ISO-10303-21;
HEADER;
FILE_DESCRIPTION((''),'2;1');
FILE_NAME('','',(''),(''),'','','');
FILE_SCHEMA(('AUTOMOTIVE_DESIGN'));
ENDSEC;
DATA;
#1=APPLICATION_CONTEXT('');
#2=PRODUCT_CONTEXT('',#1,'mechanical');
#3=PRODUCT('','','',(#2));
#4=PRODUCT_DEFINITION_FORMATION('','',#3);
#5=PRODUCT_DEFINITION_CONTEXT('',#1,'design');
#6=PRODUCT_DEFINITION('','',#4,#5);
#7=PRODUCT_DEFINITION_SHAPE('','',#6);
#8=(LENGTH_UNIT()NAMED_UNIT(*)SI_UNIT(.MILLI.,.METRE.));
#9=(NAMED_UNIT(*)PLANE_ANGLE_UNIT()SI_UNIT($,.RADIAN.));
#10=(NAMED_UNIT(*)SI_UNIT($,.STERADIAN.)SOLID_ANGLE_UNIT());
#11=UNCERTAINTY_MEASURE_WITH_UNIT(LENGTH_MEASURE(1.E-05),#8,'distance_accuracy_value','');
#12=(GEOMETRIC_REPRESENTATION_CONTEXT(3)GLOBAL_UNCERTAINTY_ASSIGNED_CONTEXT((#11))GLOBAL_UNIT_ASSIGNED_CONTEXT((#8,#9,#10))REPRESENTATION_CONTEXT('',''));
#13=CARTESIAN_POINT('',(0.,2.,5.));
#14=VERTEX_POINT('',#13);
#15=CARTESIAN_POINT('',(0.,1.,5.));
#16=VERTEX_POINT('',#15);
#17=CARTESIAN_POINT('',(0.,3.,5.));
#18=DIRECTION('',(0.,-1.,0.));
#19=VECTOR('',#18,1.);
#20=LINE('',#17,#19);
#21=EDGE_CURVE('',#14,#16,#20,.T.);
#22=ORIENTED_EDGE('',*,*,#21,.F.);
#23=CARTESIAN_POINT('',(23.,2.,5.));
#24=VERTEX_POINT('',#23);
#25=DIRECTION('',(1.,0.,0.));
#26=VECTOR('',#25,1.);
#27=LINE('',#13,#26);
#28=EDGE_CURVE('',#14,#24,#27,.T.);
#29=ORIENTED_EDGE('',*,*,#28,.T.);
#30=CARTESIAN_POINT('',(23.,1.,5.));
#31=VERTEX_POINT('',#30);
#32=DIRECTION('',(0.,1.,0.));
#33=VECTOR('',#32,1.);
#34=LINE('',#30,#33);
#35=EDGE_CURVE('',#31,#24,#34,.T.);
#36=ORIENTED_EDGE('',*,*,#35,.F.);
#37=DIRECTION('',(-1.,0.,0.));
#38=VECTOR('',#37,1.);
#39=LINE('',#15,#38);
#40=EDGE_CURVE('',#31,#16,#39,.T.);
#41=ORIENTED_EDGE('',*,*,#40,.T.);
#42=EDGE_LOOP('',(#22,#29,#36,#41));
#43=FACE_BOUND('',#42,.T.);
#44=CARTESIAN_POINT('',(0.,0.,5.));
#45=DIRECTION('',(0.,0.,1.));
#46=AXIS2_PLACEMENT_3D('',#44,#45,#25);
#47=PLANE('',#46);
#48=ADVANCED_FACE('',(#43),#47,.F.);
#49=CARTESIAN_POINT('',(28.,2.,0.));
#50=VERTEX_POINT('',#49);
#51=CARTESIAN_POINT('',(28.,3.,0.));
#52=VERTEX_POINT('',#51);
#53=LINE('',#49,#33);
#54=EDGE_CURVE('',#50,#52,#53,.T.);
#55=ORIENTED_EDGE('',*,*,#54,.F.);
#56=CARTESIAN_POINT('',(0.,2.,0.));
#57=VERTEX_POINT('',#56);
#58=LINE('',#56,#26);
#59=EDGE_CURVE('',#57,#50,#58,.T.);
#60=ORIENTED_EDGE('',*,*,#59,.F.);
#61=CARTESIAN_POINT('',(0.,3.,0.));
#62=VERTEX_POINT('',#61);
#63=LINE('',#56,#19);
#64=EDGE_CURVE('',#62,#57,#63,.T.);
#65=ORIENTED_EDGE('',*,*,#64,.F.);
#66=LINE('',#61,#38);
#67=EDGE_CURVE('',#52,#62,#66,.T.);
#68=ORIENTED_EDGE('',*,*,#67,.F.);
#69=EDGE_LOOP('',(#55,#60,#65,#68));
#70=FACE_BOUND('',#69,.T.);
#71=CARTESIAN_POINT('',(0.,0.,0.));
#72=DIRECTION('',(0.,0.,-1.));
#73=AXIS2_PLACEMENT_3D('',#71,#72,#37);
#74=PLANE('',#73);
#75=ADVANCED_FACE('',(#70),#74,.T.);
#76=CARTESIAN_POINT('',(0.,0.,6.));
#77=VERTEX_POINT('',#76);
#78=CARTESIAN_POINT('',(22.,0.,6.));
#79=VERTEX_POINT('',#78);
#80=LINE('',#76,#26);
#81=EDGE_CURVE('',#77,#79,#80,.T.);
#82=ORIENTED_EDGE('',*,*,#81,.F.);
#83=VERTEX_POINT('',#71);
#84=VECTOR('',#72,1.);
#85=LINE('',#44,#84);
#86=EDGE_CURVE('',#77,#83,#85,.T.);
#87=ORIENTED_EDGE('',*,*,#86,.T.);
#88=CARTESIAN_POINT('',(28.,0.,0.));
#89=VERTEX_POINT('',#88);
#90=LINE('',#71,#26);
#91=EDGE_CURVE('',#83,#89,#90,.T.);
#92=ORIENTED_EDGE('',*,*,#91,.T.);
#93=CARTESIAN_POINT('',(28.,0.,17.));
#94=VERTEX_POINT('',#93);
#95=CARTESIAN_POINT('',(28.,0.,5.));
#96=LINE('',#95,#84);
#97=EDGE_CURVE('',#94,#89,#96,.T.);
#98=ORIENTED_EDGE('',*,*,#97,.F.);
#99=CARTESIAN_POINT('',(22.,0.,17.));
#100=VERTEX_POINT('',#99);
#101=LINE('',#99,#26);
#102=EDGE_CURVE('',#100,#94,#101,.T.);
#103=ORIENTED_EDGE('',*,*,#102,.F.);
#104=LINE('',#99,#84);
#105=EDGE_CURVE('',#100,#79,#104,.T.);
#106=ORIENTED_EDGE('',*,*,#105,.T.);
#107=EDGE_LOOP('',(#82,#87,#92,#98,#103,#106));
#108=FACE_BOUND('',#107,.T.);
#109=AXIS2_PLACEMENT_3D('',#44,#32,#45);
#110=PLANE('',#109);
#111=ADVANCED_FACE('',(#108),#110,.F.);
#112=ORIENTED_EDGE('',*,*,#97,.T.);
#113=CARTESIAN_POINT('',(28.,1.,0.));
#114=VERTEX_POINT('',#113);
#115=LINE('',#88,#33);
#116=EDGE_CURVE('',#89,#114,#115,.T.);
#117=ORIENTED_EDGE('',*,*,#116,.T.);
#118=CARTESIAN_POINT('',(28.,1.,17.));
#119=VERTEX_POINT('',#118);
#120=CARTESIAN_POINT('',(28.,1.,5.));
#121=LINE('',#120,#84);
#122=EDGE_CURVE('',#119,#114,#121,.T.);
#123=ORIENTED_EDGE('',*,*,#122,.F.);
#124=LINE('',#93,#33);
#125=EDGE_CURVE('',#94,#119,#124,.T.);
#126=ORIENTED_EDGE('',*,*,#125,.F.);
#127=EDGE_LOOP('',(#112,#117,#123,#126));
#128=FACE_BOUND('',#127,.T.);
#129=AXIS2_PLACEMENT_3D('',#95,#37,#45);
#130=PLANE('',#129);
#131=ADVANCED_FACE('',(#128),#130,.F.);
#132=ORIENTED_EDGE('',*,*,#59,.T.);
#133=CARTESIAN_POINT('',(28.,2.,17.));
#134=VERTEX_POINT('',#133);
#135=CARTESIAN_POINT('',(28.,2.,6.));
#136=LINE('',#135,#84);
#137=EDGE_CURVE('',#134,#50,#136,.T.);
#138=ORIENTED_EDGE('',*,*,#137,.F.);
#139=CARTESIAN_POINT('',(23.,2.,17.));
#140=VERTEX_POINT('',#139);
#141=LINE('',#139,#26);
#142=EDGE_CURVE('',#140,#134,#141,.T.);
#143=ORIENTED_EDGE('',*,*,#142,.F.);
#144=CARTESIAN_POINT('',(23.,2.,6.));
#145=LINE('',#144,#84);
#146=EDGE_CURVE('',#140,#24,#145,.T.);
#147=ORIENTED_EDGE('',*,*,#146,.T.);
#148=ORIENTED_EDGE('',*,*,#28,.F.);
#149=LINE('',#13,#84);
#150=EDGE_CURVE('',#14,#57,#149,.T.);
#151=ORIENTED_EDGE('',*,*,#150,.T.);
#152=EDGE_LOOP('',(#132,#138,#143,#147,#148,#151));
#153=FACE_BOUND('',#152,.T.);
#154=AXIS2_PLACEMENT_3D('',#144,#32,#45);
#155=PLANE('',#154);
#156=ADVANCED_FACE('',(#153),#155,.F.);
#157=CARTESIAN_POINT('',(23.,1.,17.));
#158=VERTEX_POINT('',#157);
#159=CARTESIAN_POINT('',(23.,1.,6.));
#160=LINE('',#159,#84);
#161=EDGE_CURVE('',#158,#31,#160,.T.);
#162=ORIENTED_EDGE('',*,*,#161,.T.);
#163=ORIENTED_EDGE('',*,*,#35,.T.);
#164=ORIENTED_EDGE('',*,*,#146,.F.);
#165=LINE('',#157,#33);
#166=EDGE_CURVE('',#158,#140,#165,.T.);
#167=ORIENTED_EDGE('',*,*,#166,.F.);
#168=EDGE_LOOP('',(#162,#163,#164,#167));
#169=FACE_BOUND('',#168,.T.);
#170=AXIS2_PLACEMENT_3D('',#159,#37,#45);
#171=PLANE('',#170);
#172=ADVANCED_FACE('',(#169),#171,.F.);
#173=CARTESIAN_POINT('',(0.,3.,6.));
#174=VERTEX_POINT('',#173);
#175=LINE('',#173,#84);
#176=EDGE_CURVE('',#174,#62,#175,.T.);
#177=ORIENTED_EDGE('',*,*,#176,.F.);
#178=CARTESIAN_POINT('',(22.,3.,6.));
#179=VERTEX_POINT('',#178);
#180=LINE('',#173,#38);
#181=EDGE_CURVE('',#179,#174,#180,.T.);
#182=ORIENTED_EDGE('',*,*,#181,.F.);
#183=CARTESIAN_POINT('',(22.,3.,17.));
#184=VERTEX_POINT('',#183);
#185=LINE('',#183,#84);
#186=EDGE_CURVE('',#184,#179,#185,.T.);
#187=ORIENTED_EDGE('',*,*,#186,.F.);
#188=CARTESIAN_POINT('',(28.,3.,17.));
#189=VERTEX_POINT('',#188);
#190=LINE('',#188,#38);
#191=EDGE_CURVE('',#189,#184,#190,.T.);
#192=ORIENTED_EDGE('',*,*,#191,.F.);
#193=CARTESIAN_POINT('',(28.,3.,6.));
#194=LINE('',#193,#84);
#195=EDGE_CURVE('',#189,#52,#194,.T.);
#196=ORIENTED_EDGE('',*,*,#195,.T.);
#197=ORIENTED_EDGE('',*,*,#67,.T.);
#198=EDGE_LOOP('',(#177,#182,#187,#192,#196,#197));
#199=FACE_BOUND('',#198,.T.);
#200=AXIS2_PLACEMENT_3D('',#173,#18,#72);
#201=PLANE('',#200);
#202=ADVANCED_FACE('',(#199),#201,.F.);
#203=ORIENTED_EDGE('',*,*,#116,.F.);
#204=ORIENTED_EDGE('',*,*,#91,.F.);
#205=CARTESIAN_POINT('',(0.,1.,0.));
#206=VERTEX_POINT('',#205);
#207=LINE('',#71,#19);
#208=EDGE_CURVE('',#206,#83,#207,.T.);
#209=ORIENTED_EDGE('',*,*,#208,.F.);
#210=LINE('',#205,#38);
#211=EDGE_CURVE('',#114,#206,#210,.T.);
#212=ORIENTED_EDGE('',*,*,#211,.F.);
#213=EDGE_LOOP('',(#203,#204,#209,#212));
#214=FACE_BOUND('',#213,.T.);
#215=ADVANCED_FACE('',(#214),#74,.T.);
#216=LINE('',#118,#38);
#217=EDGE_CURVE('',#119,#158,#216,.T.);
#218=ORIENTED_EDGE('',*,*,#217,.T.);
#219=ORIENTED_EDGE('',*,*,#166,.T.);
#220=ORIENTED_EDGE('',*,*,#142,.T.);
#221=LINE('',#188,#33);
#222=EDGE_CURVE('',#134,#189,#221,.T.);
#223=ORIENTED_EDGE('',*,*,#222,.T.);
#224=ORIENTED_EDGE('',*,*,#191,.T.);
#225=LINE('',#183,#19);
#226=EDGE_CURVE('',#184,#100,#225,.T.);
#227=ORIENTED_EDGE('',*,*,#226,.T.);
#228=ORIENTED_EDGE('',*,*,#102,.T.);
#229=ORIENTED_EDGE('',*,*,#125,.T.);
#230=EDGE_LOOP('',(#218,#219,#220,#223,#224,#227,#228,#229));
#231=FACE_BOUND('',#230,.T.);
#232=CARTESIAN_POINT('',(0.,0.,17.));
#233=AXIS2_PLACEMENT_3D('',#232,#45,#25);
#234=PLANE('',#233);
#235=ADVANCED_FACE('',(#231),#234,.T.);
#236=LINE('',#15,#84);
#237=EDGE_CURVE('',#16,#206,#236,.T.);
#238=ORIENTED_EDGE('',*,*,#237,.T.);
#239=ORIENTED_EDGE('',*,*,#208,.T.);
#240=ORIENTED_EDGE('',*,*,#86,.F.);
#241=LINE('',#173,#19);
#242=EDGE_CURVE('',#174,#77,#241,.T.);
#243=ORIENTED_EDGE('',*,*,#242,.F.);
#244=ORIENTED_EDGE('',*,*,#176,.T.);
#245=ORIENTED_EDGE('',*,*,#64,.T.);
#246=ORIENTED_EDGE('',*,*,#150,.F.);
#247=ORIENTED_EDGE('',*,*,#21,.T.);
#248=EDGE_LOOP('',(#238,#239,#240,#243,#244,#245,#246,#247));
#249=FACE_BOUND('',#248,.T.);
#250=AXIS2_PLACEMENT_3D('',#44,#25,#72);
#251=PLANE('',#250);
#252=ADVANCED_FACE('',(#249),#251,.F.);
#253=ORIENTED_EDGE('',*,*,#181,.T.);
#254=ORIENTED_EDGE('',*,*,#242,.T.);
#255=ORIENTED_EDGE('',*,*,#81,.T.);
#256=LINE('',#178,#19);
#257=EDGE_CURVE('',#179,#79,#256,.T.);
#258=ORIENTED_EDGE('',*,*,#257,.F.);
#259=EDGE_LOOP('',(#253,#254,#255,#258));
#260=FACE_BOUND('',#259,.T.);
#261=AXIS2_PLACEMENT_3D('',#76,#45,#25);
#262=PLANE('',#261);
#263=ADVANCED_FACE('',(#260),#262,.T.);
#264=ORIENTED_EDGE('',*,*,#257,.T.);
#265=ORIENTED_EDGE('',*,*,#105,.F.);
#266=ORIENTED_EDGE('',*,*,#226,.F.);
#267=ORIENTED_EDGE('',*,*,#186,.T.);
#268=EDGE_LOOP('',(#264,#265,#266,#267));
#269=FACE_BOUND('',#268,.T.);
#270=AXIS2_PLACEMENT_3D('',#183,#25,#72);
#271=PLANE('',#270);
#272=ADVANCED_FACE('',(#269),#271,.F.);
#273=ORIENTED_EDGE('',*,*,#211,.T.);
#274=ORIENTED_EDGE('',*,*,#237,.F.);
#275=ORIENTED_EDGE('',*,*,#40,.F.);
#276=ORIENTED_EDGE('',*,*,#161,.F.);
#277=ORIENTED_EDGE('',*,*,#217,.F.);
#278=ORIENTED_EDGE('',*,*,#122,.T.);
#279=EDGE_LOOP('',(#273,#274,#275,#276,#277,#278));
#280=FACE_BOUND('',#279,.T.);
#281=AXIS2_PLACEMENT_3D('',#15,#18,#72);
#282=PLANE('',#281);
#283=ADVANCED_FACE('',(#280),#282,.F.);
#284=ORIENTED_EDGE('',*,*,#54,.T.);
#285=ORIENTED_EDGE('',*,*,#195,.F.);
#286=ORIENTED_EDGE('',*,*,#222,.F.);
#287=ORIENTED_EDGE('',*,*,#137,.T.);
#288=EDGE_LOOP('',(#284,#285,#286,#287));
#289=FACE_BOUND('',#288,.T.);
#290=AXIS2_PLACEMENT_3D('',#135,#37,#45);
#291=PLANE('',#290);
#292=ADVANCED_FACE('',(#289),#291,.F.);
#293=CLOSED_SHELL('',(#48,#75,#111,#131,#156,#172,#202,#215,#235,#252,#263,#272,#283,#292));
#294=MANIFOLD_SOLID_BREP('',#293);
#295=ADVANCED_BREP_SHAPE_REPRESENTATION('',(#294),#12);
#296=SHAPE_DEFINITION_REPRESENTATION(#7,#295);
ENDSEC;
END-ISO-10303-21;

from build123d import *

# Parameters (mm, degrees)
SKETCH1_W             = 28
SKETCH1_H             = 1
BOSS_EXTRUDE1_DEPTH   = 5
BOSS_EXTRUDE1_2_DEPTH = 5
BOSS_EXTRUDE2_DEPTH   = 1
BOSS_EXTRUDE3_DEPTH   = 11


with BuildPart() as part:
    # Sketch1 → Boss-Extrude1 (new body)
    with BuildSketch(Plane.XY):
        with Locations((14, 0.5)):
            Rectangle(SKETCH1_W, SKETCH1_H)
    extrude(amount=BOSS_EXTRUDE1_DEPTH)



with BuildPart() as body_2:
    # Sketch1 → Boss-Extrude1 2 (new body)
    with BuildSketch(Plane.XY):
        with Locations((14, 2.5)):
            Rectangle(SKETCH1_W, SKETCH1_H)
    extrude(amount=BOSS_EXTRUDE1_2_DEPTH)


with BuildPart() as part_1:
    add(part.part)

    add(body_2.part)  # Boss-Extrude2 merges body 2
    # Sketch2 → Boss-Extrude2 (add)
    with BuildSketch(Plane.XY.offset(5)):
        Polygon((0, 3), (28, 3), (28, 2), (23, 2), (23, 1), (28, 1), (28, 0), (0, 0), align=None)
    extrude(amount=BOSS_EXTRUDE2_DEPTH)

    # Sketch3 → Boss-Extrude3 (add)
    with BuildSketch(Plane.XY.offset(6)):
        Polygon((28, 3), (22, 3), (22, 0), (28, 0), (28, 1), (23, 1), (23, 2), (28, 2), align=None)
    extrude(amount=BOSS_EXTRUDE3_DEPTH)


solid = part_1.part
